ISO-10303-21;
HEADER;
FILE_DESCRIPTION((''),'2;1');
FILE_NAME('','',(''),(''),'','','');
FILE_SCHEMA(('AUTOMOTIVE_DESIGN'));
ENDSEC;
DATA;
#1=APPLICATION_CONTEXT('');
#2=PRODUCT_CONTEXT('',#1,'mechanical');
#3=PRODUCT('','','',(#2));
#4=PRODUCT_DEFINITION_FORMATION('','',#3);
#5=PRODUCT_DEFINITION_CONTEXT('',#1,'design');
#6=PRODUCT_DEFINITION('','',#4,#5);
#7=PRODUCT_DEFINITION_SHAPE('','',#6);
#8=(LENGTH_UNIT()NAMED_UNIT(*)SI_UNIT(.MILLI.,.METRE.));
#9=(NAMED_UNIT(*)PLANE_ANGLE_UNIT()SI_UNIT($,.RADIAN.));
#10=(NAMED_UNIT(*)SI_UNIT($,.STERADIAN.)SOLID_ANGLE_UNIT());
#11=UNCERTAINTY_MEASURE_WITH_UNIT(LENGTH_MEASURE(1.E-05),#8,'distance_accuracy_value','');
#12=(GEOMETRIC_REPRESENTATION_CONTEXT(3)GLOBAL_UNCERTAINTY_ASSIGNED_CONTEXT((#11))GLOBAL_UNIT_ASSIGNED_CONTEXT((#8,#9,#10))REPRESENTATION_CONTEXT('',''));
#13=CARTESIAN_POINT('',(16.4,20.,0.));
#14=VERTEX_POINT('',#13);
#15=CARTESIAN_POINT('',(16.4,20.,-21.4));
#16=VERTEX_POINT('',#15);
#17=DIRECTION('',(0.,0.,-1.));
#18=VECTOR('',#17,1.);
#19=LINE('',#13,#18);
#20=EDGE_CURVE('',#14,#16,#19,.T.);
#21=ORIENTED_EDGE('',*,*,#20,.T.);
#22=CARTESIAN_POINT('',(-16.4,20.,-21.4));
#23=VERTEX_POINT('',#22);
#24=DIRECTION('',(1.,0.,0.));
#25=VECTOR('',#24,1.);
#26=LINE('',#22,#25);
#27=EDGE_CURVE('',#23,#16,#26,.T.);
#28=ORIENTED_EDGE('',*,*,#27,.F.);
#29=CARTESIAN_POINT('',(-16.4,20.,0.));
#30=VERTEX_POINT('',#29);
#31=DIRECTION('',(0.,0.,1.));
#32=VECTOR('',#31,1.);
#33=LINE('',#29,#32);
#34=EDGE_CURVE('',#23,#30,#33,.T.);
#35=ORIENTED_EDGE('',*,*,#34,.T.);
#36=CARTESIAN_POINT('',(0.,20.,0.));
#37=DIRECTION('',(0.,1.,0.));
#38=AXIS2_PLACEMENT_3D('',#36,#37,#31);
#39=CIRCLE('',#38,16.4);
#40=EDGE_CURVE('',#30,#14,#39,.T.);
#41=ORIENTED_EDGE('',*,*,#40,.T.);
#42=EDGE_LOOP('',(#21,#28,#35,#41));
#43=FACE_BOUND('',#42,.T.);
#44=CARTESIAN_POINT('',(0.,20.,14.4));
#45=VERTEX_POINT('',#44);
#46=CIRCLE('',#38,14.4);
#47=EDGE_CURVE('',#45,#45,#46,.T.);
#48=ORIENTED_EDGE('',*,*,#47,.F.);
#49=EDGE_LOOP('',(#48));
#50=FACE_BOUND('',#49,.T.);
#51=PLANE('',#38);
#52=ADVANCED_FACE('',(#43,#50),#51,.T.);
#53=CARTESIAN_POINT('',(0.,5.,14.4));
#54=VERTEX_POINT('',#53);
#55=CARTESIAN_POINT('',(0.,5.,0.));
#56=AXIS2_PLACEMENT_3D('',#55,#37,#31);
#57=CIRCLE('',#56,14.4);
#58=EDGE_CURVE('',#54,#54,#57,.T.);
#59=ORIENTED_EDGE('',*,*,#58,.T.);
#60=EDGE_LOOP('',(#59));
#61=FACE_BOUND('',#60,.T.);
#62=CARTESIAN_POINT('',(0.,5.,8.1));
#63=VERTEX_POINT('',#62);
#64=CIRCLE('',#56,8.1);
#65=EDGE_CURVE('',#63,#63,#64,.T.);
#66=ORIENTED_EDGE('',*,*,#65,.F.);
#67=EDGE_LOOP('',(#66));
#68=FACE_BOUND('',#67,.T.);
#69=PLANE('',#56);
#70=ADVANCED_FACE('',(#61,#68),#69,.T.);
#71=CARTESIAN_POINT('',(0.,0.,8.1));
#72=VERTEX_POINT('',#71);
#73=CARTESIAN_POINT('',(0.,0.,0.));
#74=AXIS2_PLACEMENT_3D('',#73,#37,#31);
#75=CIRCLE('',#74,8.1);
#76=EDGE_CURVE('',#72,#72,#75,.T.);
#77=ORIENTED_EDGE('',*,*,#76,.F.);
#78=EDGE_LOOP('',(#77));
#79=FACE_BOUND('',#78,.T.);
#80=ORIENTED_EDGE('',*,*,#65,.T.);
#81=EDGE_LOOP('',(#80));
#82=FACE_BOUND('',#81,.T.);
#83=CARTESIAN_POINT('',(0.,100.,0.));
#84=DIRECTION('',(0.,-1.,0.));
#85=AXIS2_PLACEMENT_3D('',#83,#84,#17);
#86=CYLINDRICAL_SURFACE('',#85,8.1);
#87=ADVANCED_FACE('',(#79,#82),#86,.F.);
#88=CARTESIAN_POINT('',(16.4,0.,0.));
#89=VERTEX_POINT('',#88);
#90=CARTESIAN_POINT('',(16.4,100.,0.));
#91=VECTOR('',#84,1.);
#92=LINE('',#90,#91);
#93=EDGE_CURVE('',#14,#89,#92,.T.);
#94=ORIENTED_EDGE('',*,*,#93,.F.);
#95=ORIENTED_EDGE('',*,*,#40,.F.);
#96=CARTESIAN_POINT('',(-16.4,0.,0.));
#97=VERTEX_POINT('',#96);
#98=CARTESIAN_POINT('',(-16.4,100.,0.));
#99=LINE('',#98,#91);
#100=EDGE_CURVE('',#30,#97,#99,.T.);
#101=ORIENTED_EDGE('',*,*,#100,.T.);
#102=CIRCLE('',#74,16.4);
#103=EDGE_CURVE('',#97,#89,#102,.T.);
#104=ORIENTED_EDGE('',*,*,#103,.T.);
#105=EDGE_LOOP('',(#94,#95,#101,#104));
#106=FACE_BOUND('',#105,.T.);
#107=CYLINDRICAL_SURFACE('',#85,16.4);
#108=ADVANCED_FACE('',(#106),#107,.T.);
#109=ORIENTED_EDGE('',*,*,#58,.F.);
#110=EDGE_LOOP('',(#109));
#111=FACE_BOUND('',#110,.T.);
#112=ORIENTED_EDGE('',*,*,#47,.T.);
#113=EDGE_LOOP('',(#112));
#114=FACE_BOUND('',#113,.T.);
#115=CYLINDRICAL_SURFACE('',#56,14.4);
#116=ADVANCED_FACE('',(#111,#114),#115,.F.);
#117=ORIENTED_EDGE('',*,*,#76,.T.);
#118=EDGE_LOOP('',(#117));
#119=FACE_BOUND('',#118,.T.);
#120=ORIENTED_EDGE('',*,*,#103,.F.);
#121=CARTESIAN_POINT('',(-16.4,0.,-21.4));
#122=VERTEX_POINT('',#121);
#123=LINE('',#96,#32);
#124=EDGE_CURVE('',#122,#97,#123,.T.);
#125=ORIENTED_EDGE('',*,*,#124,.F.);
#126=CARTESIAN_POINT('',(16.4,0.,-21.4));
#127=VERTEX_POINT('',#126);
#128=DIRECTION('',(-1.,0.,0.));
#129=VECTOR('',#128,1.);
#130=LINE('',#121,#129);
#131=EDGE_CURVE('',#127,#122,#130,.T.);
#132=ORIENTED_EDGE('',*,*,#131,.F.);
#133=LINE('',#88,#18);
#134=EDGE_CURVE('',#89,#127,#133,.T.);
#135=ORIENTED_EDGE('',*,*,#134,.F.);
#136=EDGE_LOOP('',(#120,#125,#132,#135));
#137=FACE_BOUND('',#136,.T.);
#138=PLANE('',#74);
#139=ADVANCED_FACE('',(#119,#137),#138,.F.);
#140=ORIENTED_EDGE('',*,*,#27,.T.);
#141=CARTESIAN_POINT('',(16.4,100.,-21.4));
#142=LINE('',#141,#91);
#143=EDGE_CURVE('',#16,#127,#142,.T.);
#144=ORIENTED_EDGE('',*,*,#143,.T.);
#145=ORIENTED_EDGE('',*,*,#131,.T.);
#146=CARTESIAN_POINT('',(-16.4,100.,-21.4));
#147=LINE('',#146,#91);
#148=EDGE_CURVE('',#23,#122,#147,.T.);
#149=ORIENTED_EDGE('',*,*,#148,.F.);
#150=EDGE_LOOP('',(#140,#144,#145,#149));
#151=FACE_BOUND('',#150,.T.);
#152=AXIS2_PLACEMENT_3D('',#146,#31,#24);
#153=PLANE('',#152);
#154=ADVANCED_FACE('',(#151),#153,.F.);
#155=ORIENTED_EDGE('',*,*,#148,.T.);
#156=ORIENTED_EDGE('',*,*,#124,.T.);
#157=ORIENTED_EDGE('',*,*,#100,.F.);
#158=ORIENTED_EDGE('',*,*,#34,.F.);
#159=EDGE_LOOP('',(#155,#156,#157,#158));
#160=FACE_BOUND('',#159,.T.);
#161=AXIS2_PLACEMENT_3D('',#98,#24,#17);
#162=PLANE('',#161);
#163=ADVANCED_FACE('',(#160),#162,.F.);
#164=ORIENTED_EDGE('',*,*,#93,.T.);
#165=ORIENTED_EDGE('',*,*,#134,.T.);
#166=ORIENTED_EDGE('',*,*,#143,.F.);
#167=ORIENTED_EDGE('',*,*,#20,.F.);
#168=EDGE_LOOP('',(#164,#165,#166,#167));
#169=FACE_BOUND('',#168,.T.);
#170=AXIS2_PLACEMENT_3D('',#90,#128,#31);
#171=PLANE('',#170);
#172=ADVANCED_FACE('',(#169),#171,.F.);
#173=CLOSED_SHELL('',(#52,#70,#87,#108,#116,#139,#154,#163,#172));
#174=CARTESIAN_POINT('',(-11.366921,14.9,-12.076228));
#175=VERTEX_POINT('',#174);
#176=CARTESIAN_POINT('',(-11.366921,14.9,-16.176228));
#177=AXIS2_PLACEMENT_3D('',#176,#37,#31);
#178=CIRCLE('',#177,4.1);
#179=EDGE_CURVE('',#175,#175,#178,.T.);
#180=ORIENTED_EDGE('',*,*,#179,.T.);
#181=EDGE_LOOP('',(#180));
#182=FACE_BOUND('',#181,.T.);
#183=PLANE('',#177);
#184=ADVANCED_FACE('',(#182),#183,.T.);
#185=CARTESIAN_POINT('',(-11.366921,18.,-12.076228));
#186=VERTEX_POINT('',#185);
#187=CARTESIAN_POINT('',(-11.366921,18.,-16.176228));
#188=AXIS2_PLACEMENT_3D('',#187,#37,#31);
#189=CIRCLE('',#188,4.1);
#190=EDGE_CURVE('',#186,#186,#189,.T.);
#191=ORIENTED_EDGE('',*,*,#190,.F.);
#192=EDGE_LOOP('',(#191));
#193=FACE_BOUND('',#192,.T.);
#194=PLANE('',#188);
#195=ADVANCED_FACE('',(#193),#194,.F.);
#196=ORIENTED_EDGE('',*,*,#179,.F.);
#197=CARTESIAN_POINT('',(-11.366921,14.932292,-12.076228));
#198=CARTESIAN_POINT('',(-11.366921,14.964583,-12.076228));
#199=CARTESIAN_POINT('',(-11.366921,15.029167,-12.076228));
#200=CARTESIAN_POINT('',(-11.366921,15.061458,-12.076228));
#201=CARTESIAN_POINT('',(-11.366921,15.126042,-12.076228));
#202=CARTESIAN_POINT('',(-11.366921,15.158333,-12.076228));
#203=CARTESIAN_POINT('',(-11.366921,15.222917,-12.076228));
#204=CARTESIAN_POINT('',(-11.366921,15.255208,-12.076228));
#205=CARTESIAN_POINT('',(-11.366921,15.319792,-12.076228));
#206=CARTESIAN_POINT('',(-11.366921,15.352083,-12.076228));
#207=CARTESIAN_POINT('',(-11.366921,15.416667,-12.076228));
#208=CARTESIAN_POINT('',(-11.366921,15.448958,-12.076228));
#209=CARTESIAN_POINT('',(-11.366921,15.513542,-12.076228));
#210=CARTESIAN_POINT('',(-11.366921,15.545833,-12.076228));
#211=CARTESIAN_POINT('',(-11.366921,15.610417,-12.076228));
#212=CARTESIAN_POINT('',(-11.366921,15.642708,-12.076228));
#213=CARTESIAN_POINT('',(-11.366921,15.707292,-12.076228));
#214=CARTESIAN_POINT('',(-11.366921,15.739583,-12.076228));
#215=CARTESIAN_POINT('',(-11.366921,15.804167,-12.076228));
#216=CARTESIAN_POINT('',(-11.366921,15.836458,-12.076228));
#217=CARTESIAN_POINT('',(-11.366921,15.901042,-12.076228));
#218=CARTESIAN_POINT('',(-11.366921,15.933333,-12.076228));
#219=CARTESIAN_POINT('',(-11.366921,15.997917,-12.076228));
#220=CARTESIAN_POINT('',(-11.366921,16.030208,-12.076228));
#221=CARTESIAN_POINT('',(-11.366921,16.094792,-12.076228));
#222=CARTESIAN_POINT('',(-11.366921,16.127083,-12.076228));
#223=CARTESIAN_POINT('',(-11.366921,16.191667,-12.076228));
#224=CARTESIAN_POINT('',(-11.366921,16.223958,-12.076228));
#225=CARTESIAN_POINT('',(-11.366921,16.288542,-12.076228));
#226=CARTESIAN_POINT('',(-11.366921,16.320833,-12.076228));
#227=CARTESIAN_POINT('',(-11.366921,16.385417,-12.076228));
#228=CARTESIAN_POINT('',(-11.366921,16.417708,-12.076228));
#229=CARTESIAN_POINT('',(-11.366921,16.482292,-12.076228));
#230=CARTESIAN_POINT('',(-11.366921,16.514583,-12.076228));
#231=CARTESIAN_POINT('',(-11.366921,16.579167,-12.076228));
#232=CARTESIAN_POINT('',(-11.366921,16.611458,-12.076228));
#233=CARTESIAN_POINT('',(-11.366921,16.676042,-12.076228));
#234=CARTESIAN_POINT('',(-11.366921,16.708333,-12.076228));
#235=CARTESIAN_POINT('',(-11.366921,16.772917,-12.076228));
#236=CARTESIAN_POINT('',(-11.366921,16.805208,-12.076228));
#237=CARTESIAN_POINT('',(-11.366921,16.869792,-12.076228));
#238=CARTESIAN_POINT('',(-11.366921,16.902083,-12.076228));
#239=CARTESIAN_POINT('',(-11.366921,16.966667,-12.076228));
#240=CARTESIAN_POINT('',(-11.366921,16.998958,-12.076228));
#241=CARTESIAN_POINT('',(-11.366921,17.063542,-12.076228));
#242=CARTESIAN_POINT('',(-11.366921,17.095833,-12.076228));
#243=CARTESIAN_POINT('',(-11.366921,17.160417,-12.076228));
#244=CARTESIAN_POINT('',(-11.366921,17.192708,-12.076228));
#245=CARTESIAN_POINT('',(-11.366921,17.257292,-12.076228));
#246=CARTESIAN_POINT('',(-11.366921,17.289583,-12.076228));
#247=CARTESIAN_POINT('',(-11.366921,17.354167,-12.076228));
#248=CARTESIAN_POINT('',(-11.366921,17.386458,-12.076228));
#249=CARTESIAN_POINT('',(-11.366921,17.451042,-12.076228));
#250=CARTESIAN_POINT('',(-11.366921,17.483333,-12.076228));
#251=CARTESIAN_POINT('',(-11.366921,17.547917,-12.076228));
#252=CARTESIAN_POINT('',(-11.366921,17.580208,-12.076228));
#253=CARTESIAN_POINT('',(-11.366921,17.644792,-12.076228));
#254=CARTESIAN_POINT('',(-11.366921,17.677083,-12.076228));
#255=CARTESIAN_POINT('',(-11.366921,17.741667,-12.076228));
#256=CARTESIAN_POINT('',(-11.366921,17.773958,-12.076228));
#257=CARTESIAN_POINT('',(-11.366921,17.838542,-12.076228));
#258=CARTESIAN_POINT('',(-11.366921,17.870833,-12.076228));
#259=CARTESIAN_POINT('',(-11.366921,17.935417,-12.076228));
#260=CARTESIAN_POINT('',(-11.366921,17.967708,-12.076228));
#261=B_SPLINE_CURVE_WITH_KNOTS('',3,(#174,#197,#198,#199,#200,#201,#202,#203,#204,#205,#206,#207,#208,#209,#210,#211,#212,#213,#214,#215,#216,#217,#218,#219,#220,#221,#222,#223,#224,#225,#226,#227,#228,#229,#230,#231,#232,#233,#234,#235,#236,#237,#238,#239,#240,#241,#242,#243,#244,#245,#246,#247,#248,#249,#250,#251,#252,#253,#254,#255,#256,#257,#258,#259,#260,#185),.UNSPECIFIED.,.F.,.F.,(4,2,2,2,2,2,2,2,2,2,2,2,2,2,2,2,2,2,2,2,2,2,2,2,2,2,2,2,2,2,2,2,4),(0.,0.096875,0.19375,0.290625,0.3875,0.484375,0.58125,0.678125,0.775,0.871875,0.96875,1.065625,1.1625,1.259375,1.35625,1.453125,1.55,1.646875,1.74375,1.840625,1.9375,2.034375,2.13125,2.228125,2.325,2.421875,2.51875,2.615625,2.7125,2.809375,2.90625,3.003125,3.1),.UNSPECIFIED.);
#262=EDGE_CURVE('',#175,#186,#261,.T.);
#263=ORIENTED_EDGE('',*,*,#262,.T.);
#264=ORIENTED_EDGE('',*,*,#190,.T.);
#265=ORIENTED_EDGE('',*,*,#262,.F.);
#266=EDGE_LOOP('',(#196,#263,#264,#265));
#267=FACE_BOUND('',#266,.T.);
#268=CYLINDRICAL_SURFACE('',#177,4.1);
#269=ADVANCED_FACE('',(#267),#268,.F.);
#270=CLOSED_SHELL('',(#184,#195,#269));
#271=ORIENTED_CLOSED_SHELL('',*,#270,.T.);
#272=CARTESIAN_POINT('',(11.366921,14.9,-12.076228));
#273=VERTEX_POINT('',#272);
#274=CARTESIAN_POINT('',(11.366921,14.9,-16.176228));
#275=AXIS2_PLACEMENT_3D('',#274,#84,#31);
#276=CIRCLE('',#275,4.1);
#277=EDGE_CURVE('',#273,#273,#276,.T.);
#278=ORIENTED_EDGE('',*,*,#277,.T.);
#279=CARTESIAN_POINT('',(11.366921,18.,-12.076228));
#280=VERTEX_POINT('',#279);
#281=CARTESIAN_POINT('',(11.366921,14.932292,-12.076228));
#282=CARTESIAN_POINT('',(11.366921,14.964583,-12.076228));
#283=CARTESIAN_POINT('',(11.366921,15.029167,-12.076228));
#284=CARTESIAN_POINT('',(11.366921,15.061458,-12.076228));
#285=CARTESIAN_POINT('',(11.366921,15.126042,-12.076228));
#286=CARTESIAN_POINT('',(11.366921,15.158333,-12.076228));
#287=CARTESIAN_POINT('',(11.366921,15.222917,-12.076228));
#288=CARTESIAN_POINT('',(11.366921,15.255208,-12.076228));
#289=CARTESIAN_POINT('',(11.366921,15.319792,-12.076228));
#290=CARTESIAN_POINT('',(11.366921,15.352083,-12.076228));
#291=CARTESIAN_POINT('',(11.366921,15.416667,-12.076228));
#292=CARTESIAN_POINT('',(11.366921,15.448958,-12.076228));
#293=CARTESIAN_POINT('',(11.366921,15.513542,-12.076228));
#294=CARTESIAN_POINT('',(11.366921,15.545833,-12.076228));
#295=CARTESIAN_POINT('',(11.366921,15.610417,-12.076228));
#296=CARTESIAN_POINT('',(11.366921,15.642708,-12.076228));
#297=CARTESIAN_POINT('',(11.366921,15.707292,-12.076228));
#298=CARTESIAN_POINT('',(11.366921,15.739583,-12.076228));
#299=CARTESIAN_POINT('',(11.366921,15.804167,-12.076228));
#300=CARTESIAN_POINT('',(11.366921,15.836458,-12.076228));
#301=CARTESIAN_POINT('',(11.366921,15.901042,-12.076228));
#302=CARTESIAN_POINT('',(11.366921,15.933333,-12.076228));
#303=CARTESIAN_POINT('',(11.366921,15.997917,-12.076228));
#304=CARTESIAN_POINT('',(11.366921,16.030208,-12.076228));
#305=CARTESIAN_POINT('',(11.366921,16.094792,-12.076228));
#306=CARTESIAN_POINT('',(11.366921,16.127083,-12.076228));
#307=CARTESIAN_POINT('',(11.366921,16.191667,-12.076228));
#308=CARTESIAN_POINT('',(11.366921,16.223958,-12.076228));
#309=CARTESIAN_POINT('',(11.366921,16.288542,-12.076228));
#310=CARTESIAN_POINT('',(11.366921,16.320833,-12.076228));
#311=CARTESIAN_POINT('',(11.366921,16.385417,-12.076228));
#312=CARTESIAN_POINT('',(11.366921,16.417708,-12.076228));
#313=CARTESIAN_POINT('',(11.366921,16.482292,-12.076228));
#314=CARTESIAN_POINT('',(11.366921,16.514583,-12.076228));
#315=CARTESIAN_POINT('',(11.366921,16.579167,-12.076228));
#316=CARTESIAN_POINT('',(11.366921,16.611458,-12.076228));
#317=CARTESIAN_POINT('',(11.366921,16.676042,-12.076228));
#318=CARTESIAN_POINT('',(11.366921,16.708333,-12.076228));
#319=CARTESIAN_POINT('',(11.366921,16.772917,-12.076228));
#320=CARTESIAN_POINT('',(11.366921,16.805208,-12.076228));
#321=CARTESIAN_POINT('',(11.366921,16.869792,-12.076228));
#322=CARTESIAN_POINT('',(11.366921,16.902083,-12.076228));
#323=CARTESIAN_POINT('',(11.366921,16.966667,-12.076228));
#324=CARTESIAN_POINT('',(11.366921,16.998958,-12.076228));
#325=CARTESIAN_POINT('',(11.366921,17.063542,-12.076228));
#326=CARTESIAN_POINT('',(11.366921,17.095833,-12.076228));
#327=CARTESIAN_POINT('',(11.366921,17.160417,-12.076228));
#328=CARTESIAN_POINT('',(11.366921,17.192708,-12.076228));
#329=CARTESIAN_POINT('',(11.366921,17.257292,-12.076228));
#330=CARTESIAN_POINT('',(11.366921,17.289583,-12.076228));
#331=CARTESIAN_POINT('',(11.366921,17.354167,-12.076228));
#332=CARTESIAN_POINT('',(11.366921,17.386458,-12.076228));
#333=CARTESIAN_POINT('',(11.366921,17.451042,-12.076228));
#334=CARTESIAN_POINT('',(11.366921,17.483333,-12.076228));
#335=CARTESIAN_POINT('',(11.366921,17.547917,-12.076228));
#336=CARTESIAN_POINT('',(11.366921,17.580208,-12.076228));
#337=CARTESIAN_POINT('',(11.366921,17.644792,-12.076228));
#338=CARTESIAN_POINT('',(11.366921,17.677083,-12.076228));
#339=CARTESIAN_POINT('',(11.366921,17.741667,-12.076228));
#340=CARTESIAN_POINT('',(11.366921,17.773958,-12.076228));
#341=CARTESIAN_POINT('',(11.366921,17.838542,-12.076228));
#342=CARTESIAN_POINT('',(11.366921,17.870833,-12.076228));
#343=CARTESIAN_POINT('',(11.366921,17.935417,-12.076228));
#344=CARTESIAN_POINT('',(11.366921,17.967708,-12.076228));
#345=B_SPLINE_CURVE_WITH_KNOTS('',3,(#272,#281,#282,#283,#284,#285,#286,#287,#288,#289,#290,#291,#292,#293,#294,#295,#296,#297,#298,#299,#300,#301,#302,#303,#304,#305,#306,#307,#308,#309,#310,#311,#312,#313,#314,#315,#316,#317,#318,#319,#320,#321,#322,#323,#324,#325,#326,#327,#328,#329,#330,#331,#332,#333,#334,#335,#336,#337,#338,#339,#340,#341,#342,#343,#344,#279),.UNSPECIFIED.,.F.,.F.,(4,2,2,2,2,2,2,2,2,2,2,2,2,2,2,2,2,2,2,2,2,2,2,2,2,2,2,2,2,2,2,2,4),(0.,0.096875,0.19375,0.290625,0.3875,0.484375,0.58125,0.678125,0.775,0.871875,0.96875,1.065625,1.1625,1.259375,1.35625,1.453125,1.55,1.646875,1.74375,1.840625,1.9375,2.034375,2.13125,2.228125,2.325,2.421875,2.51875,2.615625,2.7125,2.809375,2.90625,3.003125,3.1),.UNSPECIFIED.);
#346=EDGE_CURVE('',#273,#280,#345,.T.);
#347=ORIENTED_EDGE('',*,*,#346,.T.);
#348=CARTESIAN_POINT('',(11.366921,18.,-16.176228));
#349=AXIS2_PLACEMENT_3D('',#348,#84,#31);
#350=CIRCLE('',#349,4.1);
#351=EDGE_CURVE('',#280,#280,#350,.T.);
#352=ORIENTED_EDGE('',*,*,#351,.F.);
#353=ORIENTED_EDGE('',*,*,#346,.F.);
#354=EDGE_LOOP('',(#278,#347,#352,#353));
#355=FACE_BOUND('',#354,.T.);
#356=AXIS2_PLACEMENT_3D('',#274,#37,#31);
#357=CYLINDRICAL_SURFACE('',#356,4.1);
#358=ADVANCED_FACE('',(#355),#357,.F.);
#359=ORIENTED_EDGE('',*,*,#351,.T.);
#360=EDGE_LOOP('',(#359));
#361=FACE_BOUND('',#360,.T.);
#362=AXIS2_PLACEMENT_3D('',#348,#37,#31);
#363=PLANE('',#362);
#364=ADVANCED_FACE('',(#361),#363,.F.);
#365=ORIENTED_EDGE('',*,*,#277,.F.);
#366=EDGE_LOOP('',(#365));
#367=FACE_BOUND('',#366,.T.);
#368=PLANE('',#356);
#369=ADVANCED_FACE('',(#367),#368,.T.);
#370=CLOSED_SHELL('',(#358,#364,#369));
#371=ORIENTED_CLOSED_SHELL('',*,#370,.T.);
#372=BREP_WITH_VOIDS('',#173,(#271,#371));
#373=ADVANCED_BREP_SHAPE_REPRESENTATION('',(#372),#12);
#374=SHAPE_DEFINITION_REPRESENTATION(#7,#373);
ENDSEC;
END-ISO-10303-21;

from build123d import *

# Parameters (mm, degrees)
SKETCH1_R           = 8.1
BOSS_EXTRUDE1_DEPTH = 100
SKETCH2_R           = 14.4
CUT_EXTRUDE1_DEPTH  = 80
CUT_EXTRUDE2_START  = -80
CUT_EXTRUDE2_DEPTH  = 80
SKETCH4_R           = 14.4
CUT_EXTRUDE3_DEPTH  = 15
SKETCH8_W           = 32.8
SKETCH8_H           = 80
CUT_EXTRUDE4_DEPTH  = 106.913171985
CUT_EXTRUDE5_START  = -2
SKETCH9_R           = 4.1
CUT_EXTRUDE5_DEPTH  = 3.1


with BuildPart() as part:
    # Sketch1 → Boss-Extrude1 (new body)
    with BuildSketch(Plane(origin=(0, 0, 0), x_dir=(1, 0, 0), z_dir=(0, 1, 0))):
        with BuildLine():
            Line((-16.4, 0), (-16.4, 21.4))
            Line((-16.4, 21.4), (16.4, 21.4))
            Line((16.4, 21.4), (16.4, 0))
            ThreePointArc((16.4, 0), (0, -16.4), (-16.4, 0))
        make_face()
        with Locations(Location((0, 0, 0), (0, 0, 270))):
            Circle(SKETCH1_R, mode=Mode.SUBTRACT)
    extrude(amount=BOSS_EXTRUDE1_DEPTH)

    # Sketch2 → Cut-Extrude1 (cut)
    with BuildSketch(Plane(origin=(0, 100, 0), x_dir=(1, 0, 0), z_dir=(0, 1, 0))):
        with Locations(Location((0, 0, 0), (0, 0, 270))):
            Circle(SKETCH2_R)
    extrude(amount=-CUT_EXTRUDE1_DEPTH, mode=Mode.SUBTRACT)

    # Sketch3 → Cut-Extrude2 (cut)
    with BuildSketch(Plane(origin=(0, 100, 0), x_dir=(1, 0, 0), z_dir=(0, 1, 0)).offset(CUT_EXTRUDE2_START)):
        with BuildLine():
            Line((-16.4, 0), (-16.4, 14.4))
            Line((-16.4, 14.4), (16.4, 14.4))
            Line((16.4, 14.4), (16.4, 0))
            ThreePointArc((16.4, 0), (0, -16.4), (-16.4, 0))
        make_face()
    extrude(amount=CUT_EXTRUDE2_DEPTH, mode=Mode.SUBTRACT)

    # Sketch4 → Cut-Extrude3 (cut)
    with BuildSketch(Plane(origin=(0, 20, 0), x_dir=(1, 0, 0), z_dir=(0, 1, 0))):
        with Locations(Location((0, 0, 0), (0, 0, 270))):
            Circle(SKETCH4_R)
    extrude(amount=-CUT_EXTRUDE3_DEPTH, mode=Mode.SUBTRACT)

    # Sketch8 → Cut-Extrude4 (cut, through all)
    with BuildSketch(Plane.XY.offset(-14.4)):
        with Locations((0, 60)):
            Rectangle(SKETCH8_W, SKETCH8_H)
    extrude(amount=-CUT_EXTRUDE4_DEPTH, mode=Mode.SUBTRACT)

    # Sketch9 → Cut-Extrude5 (cut)
    with BuildSketch(Plane(origin=(0, 20, 0), x_dir=(1, 0, 0), z_dir=(0, 1, 0)).offset(CUT_EXTRUDE5_START)):
        with Locations(Location((-11.366921431, 16.176228268, 0), (0, 0, 270))):
            Circle(SKETCH9_R)
    cut_extrude5 = extrude(amount=-CUT_EXTRUDE5_DEPTH, mode=Mode.SUBTRACT)

    # Mirror1: Cut-Extrude5 across plane
    add(cut_extrude5.mirror(Plane(origin=(0, 0, 0), x_dir=(0, 0, 1), z_dir=(1, 0, 0))), mode=Mode.SUBTRACT)


solid = part.part
